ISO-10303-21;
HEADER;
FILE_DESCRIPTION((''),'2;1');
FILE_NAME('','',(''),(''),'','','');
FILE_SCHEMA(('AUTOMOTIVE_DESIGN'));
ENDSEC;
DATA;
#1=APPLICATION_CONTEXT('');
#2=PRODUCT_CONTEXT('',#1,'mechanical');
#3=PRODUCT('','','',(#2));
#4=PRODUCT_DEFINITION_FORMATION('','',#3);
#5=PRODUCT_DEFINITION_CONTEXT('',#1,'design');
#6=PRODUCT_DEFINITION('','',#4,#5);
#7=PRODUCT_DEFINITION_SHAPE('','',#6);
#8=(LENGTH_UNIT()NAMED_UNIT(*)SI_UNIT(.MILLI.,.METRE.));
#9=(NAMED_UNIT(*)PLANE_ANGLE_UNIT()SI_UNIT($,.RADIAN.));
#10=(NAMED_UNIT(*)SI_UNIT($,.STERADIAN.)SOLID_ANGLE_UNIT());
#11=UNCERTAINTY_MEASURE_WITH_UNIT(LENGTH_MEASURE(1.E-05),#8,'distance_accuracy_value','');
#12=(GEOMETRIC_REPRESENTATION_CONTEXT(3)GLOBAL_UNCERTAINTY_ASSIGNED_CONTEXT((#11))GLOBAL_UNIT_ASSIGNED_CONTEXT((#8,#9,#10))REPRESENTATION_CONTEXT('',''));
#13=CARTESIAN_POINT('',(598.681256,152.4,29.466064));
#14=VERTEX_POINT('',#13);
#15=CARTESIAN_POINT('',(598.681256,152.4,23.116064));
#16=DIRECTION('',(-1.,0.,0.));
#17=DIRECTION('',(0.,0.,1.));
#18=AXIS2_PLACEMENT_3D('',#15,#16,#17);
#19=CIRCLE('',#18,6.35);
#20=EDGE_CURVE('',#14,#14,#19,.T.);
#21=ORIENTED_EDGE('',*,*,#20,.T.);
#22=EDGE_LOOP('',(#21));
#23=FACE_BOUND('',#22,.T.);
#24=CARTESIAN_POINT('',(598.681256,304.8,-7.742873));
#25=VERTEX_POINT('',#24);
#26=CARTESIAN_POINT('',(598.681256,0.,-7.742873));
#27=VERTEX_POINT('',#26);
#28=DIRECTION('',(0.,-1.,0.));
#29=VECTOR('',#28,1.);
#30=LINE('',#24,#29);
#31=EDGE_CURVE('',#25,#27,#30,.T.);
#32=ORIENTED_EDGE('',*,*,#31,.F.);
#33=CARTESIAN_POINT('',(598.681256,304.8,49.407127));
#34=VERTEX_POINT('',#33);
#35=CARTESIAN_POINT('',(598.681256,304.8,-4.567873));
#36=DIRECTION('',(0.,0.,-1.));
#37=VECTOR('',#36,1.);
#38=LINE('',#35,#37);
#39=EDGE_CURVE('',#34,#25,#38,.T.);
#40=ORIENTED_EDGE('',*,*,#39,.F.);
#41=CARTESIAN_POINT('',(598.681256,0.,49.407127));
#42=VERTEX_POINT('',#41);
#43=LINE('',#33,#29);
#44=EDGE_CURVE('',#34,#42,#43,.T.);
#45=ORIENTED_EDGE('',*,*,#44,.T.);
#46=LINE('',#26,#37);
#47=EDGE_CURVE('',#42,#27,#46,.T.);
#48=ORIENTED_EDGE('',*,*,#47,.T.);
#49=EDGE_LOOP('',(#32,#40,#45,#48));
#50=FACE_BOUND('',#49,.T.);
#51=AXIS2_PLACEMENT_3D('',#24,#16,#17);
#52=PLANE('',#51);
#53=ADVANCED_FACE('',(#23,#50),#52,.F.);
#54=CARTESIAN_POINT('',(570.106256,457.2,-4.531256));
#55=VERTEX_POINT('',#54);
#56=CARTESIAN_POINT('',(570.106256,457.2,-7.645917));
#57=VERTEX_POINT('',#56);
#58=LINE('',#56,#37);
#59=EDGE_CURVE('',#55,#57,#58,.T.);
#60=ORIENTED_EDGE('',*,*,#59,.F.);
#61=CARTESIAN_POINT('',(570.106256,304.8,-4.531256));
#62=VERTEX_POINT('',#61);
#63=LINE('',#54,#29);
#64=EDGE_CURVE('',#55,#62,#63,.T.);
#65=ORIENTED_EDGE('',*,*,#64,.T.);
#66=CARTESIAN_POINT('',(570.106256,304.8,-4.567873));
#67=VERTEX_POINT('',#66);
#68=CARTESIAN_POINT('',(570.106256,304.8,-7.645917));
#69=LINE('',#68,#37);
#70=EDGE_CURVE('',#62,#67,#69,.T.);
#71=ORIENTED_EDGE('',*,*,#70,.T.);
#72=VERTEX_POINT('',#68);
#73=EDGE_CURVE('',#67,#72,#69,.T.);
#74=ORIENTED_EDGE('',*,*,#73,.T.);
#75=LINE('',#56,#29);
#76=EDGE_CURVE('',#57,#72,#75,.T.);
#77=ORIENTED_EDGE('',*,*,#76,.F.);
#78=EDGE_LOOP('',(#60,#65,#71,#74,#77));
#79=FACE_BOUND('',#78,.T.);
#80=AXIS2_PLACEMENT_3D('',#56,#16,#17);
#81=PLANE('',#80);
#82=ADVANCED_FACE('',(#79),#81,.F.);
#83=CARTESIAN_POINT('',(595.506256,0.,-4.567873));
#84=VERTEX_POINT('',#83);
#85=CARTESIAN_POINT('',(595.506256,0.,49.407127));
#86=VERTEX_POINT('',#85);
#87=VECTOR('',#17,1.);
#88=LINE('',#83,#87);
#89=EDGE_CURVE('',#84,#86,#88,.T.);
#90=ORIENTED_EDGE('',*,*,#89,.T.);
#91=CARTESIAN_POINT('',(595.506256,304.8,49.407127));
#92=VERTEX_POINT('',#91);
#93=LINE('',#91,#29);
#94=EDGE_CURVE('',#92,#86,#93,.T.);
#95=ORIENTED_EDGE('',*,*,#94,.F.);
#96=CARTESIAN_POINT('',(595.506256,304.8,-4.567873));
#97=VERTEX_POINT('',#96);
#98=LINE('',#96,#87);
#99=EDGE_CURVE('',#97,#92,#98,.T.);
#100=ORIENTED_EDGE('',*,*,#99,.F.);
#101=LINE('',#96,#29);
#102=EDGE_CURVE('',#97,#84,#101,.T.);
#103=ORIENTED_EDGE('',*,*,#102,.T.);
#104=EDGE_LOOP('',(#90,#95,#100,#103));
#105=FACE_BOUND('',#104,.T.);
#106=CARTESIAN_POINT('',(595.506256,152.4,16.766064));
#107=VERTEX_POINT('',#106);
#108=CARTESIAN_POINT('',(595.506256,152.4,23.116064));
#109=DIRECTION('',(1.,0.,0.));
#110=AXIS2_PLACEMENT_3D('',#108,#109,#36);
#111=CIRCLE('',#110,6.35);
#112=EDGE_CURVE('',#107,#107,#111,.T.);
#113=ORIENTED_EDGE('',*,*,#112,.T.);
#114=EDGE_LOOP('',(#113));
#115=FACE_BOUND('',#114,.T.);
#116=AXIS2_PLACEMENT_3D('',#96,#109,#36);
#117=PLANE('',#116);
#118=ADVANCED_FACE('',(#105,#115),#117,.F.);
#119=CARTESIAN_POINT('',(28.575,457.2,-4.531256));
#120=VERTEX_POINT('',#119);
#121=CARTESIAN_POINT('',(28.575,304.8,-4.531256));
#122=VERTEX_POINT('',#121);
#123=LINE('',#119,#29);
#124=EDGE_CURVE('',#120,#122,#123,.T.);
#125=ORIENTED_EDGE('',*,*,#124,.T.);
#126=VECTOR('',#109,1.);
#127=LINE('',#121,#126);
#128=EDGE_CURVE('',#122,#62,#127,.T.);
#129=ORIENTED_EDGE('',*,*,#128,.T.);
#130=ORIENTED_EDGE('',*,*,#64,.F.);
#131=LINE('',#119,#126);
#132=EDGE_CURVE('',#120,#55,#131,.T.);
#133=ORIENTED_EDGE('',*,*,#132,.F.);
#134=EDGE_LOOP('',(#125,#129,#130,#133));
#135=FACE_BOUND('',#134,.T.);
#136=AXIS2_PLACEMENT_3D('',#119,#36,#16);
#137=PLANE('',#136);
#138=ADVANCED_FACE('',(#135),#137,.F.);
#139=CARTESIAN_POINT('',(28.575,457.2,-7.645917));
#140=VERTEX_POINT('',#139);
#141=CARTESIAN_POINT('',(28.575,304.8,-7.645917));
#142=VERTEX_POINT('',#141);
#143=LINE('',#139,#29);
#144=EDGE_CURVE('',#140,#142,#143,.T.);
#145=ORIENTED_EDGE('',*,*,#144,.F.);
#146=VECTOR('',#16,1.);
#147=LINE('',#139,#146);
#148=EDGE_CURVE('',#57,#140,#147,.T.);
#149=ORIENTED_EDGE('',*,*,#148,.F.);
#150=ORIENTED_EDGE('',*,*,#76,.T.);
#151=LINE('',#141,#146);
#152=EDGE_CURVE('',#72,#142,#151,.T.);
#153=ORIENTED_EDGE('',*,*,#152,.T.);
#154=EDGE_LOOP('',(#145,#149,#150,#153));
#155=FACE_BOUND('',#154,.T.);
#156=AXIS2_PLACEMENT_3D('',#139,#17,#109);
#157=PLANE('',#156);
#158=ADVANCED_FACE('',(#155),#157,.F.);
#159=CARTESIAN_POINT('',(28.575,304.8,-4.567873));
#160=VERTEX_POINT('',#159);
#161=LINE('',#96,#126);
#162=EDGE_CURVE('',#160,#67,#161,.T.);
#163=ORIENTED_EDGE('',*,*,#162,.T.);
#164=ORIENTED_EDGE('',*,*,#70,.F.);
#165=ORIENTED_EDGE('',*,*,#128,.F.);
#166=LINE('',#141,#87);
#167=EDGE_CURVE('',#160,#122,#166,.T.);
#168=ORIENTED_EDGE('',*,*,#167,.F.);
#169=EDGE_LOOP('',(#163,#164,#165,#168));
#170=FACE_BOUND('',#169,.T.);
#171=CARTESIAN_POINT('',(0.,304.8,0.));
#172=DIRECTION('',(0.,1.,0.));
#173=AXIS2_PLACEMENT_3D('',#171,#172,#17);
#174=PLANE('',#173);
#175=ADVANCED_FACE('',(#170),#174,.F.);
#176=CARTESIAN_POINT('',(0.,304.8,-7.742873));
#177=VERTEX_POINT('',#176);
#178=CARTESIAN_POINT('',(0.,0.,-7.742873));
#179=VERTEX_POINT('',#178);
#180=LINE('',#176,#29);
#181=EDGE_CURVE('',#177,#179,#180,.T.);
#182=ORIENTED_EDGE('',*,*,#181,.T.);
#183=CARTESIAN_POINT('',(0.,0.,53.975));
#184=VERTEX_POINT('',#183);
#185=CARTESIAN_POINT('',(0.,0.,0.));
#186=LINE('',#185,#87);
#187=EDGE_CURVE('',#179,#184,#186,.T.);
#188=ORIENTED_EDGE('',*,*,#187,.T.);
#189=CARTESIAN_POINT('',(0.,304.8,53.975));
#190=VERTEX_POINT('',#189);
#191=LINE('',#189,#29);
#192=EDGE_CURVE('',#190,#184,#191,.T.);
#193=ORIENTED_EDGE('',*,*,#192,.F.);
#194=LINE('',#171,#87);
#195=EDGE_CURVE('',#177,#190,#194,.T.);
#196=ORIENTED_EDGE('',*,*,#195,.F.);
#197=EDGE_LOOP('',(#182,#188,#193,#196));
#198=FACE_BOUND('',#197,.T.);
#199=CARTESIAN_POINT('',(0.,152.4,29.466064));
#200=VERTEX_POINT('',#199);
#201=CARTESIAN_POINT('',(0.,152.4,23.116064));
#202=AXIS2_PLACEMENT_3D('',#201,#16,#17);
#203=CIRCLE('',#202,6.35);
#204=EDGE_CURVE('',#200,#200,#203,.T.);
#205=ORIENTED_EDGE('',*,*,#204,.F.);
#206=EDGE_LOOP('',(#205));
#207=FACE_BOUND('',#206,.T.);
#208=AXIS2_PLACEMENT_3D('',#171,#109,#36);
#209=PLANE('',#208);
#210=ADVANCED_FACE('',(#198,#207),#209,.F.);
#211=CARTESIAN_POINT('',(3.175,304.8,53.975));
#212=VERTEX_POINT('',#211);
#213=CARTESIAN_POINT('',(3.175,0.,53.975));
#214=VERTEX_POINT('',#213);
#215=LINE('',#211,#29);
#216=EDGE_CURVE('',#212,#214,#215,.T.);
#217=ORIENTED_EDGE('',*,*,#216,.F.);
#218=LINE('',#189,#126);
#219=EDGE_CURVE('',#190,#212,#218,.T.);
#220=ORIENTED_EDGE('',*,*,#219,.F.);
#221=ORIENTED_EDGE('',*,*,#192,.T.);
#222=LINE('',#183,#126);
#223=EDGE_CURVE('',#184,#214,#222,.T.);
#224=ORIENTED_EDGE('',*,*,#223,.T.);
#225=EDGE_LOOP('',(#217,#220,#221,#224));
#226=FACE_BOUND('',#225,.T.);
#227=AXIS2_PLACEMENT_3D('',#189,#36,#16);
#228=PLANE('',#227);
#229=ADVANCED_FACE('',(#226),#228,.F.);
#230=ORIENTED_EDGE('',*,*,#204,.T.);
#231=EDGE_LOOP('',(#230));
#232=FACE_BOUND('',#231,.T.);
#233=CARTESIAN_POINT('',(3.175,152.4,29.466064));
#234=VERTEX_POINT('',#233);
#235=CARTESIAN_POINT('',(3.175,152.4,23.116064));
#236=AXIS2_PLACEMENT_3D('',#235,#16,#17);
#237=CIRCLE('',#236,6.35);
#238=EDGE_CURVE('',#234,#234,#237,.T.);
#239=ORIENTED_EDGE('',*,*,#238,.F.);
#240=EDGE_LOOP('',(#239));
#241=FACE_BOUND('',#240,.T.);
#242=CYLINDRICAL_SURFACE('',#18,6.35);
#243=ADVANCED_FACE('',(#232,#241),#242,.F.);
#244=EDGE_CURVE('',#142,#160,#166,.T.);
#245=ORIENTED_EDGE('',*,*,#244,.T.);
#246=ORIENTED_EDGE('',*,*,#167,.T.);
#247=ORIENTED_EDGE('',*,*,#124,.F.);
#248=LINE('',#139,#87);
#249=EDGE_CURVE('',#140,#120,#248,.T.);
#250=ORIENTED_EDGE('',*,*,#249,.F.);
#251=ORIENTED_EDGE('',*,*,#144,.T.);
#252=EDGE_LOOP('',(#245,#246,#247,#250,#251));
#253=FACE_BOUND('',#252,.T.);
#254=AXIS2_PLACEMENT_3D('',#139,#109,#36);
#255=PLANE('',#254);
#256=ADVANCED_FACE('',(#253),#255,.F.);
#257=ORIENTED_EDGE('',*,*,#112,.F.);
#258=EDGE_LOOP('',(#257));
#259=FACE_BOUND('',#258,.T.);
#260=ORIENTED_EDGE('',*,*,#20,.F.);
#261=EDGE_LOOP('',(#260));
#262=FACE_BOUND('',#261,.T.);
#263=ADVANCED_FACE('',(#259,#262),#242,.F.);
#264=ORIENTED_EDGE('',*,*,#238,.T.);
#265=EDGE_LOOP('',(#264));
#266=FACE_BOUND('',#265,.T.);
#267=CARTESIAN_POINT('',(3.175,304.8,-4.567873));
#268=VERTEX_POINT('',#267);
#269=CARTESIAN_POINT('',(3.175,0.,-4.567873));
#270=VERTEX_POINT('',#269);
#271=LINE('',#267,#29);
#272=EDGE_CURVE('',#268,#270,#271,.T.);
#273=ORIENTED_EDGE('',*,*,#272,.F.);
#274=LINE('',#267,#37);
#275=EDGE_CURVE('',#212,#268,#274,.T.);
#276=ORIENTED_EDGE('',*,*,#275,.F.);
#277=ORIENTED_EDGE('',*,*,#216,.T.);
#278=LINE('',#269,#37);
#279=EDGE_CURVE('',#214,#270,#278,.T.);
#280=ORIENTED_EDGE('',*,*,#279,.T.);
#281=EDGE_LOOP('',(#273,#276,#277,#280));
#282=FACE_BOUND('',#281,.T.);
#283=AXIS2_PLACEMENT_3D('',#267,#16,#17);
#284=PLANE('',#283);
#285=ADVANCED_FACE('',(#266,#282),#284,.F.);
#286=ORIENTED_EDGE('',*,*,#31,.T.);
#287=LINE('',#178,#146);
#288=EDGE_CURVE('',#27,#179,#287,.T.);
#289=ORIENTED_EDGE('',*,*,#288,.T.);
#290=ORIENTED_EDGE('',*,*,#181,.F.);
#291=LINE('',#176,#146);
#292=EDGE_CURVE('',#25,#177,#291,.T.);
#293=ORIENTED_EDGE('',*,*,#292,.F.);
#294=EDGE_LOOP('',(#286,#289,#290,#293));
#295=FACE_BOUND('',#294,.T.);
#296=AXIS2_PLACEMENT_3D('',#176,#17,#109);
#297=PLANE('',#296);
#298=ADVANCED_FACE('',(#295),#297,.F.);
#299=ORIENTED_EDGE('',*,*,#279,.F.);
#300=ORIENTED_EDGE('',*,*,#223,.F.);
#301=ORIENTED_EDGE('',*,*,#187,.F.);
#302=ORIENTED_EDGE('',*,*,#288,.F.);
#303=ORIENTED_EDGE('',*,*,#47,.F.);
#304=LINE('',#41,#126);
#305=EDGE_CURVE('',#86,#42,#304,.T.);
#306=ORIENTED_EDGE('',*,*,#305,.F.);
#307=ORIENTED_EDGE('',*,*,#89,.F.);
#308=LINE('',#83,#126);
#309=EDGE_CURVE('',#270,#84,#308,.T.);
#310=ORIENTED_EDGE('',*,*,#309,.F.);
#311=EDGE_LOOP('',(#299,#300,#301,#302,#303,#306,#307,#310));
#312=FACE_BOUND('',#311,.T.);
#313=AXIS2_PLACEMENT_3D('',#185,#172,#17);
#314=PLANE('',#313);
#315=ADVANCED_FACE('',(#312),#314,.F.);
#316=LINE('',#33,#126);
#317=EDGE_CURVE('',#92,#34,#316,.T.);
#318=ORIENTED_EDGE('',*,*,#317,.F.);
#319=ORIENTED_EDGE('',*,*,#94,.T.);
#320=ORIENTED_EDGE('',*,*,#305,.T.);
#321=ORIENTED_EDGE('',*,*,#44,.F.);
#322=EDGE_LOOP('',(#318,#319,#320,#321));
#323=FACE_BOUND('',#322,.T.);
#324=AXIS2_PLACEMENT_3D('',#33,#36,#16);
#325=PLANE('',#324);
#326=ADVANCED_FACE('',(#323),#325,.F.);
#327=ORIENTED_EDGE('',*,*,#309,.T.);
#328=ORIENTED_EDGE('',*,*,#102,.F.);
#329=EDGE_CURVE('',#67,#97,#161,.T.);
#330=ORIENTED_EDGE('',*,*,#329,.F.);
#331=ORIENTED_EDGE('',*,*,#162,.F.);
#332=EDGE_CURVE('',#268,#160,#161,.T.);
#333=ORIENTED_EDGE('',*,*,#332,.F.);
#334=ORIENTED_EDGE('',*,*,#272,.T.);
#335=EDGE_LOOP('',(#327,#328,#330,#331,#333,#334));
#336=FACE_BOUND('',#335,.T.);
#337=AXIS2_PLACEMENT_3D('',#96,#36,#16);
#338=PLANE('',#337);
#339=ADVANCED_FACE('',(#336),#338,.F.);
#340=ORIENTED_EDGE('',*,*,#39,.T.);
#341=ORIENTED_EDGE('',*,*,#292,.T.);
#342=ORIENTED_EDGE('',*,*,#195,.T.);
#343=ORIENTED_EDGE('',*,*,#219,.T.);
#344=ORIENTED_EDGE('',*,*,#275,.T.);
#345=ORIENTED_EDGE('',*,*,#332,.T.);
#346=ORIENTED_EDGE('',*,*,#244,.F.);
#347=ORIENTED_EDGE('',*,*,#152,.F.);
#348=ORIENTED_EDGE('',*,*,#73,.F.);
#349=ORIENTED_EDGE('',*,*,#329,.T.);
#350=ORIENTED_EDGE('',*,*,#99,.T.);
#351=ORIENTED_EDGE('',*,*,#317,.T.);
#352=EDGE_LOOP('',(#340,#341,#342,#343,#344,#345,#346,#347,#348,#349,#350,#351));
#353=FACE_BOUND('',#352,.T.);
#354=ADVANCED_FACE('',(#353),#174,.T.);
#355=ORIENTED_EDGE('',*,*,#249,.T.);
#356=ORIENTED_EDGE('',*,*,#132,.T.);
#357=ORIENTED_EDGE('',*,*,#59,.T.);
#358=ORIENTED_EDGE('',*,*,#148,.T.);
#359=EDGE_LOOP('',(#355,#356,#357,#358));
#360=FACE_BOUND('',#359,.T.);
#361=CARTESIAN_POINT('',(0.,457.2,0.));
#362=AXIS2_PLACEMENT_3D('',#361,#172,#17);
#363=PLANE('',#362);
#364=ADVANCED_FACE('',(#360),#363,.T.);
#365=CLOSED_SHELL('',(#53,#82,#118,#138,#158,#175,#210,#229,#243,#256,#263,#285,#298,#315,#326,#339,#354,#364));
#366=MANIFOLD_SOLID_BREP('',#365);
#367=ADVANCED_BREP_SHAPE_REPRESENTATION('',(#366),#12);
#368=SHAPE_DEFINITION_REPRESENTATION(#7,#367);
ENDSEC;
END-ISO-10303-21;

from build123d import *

# Parameters (mm, degrees)
BOSS_EXTRUDE1_DEPTH = 304.8
SKETCH4_R           = 6.35
CUT_EXTRUDE1_DEPTH  = 599.68125614
SKETCH5_W           = 541.53125614
SKETCH5_H           = 3.114661147
BOSS_EXTRUDE2_DEPTH = 152.4


with BuildPart() as part:
    # Sketch1 → Boss-Extrude1 (new body)
    with BuildSketch(Plane(origin=(0, 0, 0), x_dir=(1, 0, 0), z_dir=(0, 1, 0))):
        Polygon((595.50625614, 4.567872613), (3.175, 4.567872613), (3.175, -53.975), (0, -53.975), (0, 0), (0, 7.742872613), (598.68125614, 7.742872613), (598.68125614, 4.567872613), (598.68125614, -49.407127387), (595.50625614, -49.407127387), align=None)
    extrude(amount=BOSS_EXTRUDE1_DEPTH)

    # Sketch4 → Cut-Extrude1 (cut, through all)
    with BuildSketch(Plane.ZY):
        with Locations((23.116063694, 152.4)):
            Circle(SKETCH4_R)
    extrude(amount=-CUT_EXTRUDE1_DEPTH, mode=Mode.SUBTRACT)

    # Sketch5 → Boss-Extrude2 (add)
    with BuildSketch(Plane(origin=(0, 304.8, 0), x_dir=(1, 0, 0), z_dir=(0, 1, 0))):
        with Locations((299.34062807, 6.088586102)):
            Rectangle(SKETCH5_W, SKETCH5_H)
    extrude(amount=BOSS_EXTRUDE2_DEPTH)


solid = part.part
